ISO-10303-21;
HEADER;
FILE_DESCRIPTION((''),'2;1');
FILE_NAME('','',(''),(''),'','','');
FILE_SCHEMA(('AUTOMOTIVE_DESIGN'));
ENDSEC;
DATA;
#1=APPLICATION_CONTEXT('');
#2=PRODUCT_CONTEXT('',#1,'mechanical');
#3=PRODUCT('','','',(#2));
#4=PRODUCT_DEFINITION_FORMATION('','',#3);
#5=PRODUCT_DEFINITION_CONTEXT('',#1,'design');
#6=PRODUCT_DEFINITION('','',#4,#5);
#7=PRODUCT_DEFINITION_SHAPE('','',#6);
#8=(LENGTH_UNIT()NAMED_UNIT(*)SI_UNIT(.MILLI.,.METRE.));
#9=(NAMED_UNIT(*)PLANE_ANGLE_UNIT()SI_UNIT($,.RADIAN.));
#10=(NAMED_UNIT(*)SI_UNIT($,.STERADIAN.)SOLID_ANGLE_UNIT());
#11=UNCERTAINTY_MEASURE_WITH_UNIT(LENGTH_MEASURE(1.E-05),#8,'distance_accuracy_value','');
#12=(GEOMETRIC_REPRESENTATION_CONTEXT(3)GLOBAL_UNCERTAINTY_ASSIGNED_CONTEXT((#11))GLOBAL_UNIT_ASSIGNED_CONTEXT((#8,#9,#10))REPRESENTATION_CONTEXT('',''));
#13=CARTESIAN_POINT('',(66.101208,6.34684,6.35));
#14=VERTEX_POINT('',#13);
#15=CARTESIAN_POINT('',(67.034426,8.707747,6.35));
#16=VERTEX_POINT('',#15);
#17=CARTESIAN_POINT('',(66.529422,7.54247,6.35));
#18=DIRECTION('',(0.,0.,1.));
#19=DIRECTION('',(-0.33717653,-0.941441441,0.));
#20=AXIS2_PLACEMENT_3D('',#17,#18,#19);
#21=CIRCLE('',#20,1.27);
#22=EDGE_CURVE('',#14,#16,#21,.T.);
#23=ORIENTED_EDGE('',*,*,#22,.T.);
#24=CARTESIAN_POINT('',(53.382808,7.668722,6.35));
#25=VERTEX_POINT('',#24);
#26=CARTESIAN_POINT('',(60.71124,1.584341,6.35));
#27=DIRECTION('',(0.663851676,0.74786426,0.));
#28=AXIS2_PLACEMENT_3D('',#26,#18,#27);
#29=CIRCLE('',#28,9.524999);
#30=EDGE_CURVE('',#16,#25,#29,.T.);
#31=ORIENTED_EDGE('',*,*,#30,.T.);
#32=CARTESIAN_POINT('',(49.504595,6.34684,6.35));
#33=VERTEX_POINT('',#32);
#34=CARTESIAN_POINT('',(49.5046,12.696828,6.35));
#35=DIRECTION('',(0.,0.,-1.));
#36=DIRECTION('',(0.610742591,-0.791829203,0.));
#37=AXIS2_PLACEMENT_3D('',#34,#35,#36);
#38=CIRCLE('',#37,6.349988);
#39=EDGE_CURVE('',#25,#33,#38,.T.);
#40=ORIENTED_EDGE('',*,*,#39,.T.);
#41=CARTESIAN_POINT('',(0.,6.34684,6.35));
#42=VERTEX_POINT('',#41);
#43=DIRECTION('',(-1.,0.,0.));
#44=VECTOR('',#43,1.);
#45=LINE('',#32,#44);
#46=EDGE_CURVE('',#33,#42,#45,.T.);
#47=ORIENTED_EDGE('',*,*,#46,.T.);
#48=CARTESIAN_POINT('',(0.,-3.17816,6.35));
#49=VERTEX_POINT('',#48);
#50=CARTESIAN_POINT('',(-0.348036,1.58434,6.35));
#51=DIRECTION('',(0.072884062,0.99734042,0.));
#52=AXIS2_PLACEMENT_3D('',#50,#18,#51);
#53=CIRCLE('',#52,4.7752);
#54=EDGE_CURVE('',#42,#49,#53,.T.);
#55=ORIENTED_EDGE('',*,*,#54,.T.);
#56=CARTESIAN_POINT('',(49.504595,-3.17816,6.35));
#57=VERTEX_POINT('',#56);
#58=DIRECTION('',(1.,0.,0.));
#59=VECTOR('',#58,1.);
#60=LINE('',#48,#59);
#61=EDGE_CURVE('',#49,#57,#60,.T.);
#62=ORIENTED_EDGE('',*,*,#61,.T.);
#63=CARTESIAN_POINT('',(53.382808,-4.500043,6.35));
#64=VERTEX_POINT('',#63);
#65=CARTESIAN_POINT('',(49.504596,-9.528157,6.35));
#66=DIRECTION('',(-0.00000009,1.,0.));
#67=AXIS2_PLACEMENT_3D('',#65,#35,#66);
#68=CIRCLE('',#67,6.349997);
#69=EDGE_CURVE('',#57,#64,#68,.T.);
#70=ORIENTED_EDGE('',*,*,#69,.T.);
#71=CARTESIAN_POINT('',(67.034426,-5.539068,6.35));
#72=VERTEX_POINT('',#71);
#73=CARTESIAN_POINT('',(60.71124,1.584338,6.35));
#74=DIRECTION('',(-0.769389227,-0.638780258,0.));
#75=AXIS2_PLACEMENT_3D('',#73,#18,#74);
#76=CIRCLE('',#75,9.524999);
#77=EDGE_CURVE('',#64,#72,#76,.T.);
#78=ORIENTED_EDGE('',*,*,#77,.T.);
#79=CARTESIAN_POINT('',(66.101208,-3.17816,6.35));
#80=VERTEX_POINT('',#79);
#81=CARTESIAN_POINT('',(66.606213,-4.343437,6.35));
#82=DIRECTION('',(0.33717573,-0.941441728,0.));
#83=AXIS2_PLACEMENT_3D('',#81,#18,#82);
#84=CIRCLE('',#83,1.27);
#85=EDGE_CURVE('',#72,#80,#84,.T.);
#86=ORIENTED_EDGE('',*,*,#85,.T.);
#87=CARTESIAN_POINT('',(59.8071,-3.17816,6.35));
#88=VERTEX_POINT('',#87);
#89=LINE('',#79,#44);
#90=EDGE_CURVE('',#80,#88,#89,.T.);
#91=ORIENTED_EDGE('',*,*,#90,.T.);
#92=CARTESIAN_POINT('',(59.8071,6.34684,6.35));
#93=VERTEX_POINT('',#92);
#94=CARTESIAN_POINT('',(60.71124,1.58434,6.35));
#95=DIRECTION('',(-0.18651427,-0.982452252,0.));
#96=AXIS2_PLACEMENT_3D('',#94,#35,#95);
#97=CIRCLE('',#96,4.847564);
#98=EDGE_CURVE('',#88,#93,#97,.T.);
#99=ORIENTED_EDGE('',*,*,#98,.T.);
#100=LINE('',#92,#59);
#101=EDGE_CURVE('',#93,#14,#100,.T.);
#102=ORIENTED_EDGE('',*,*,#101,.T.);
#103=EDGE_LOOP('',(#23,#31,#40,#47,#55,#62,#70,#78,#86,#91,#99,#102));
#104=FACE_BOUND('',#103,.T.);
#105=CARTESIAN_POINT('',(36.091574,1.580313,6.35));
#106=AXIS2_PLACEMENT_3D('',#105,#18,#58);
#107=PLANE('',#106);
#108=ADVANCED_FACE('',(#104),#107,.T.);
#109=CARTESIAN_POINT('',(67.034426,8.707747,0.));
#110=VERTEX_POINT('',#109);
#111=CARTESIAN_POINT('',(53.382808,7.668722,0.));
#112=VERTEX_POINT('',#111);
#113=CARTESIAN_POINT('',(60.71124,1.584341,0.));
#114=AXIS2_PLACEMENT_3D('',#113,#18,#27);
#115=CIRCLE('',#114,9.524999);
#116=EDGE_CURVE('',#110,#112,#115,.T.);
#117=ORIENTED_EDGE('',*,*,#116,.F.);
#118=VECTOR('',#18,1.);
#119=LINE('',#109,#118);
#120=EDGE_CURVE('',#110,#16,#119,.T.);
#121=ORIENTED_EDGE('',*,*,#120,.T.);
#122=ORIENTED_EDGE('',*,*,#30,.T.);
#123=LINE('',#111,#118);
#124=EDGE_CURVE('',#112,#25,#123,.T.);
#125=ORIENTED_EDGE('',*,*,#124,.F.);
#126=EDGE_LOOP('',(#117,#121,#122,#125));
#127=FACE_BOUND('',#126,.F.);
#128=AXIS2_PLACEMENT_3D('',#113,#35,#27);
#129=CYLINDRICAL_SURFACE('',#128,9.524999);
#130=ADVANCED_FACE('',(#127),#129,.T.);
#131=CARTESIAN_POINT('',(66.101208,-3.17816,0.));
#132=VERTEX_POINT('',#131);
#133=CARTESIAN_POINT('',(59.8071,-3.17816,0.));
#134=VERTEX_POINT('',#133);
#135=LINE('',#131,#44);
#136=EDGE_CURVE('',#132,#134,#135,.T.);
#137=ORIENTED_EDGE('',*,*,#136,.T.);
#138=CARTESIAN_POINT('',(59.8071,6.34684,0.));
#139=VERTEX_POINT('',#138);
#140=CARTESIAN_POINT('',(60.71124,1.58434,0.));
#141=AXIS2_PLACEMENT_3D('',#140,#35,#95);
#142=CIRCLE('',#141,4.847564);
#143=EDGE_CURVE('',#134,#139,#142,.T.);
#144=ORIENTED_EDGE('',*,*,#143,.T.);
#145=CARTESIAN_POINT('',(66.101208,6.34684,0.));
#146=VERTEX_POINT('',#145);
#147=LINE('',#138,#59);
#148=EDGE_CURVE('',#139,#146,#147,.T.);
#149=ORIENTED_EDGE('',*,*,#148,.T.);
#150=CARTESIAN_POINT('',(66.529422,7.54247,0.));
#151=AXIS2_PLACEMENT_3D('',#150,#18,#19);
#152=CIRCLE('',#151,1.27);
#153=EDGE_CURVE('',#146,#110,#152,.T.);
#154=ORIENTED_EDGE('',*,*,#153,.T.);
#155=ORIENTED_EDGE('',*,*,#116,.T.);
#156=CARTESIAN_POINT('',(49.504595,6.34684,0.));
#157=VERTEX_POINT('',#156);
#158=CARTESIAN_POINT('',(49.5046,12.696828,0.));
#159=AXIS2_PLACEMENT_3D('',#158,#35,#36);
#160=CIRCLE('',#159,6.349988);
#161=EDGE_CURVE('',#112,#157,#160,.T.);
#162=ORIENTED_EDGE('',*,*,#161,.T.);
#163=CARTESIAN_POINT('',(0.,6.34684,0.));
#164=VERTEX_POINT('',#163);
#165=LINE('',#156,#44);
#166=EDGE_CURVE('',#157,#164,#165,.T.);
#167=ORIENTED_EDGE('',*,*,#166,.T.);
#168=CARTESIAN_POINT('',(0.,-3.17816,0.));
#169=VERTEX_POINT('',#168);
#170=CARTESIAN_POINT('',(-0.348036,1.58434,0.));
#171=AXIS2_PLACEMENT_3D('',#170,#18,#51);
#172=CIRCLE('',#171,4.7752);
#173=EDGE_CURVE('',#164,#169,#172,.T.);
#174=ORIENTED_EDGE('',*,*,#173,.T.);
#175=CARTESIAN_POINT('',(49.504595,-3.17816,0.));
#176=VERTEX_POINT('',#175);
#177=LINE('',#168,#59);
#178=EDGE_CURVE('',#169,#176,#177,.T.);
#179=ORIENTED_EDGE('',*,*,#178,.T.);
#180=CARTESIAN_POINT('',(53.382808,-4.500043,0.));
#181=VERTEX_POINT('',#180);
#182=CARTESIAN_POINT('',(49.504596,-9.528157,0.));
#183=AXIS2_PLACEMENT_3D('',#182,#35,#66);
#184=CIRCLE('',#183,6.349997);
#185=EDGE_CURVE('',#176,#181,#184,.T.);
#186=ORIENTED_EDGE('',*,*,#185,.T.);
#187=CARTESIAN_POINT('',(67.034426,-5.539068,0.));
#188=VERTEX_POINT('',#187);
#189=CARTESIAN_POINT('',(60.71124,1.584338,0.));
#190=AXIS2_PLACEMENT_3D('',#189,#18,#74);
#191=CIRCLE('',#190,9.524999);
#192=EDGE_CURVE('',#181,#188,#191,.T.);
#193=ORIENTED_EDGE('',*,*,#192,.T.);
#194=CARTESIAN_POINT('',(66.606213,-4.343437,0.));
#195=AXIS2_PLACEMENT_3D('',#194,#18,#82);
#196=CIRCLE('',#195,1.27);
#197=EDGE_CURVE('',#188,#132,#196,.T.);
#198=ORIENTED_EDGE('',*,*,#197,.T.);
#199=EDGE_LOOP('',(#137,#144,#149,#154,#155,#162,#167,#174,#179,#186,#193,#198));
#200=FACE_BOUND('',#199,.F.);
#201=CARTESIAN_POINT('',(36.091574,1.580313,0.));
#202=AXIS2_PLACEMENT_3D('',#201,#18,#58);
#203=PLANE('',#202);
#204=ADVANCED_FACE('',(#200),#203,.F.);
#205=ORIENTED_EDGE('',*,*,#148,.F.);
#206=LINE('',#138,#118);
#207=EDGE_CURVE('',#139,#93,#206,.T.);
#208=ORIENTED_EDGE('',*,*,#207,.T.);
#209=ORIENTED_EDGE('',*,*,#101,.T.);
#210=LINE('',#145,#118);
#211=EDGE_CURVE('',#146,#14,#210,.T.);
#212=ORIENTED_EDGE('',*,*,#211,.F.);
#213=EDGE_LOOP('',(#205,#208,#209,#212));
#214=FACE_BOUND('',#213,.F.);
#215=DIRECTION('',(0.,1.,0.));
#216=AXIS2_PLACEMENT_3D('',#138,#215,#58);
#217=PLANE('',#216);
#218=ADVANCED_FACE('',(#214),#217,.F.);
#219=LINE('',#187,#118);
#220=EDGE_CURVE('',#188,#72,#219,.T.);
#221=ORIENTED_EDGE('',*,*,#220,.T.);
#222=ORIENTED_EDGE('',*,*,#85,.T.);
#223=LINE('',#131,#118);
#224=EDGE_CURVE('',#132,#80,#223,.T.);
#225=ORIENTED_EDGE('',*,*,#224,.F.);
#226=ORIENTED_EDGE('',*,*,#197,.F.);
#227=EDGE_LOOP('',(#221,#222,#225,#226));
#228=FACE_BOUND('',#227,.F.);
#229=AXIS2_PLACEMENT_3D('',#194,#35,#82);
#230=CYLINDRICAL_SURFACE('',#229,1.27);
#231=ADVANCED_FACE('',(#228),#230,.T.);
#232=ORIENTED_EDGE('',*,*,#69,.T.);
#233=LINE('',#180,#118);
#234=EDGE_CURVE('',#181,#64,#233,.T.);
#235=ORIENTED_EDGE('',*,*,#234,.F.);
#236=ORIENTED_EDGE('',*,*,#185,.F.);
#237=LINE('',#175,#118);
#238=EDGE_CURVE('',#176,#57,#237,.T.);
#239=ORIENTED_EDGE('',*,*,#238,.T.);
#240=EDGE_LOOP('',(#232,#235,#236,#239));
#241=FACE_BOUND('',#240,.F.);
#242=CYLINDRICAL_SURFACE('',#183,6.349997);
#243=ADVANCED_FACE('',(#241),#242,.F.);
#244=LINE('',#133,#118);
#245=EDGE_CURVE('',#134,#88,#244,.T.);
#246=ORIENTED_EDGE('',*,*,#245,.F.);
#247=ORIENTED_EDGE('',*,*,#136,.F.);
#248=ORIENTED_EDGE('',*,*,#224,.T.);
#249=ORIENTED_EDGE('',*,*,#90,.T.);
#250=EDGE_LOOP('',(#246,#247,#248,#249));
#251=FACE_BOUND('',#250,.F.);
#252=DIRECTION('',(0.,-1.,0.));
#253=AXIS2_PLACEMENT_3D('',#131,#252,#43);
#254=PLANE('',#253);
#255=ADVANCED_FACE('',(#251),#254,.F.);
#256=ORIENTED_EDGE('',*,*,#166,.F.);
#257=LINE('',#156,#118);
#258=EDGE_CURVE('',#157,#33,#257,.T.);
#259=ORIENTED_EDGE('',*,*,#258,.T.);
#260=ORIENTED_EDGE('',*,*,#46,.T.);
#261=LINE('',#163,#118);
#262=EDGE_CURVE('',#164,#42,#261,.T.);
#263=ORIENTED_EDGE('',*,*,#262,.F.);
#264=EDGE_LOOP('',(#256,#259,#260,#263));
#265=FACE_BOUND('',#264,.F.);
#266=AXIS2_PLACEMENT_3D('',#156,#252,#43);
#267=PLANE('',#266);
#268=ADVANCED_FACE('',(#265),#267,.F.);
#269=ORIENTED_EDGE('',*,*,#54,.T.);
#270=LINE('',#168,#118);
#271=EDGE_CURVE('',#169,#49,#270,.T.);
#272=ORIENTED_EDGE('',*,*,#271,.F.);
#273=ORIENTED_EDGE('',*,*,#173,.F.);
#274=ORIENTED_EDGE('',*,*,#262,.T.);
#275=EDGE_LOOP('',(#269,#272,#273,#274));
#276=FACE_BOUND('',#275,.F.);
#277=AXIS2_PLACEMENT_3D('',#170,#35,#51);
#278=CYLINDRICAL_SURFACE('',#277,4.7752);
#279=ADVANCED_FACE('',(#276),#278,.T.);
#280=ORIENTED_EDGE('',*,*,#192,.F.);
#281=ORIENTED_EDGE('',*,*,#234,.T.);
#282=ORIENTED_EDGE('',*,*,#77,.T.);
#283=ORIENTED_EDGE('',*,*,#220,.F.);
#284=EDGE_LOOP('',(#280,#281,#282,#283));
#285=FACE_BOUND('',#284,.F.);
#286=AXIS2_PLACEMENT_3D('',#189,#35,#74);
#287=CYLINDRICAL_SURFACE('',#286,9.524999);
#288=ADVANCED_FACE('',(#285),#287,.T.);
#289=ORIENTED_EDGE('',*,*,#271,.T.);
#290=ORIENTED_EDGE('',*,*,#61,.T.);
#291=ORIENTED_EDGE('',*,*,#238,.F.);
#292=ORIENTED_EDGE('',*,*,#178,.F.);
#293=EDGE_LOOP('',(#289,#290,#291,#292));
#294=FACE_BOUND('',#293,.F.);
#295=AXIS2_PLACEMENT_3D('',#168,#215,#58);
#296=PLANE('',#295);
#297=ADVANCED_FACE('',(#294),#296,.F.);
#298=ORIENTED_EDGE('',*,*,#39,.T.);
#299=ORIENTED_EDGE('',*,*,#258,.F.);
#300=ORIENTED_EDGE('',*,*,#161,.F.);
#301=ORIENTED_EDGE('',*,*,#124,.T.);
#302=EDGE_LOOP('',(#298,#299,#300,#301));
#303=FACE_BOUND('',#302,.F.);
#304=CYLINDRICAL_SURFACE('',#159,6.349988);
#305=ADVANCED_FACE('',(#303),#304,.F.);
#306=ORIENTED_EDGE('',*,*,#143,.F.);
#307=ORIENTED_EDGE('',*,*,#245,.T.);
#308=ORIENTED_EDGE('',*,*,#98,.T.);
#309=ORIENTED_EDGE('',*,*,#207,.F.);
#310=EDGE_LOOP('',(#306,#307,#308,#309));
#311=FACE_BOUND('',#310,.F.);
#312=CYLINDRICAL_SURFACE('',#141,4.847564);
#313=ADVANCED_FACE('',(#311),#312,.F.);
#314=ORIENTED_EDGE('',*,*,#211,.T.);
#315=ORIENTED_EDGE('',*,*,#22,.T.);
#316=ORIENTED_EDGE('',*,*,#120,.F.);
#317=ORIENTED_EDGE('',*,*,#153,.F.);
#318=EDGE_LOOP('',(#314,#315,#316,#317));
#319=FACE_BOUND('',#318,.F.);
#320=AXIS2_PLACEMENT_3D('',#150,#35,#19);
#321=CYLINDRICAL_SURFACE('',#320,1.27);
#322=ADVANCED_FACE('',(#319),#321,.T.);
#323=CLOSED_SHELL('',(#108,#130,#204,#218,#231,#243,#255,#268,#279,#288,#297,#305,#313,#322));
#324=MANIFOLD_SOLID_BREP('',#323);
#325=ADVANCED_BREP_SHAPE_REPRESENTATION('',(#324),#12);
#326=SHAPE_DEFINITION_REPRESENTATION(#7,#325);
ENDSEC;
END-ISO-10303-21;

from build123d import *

# Parameters (mm, degrees)
F2_DEPTH = 6.35


with BuildPart() as f2:
    # F1 (on face) → F2 (new body)
    with BuildSketch(Plane.XY):
        with BuildLine():
            ThreePointArc((53.382808, 7.668722), (51.553248, 6.686388), (49.504595, 6.34684))
            Line((49.504595, 6.34684), (0, 6.34684))
            ThreePointArc((0, 6.34684), (-5.123236, 1.58434), (0, -3.17816))
            Line((0, -3.17816), (49.504595, -3.17816))
            ThreePointArc((49.504595, -3.17816), (51.553248, -3.517709), (53.382808, -4.500043))
            ThreePointArc((53.382808, -4.500043), (59.988382, -7.913192), (67.034426, -5.539068))
            ThreePointArc((67.034426, -5.539068), (67.787291, -3.876581), (66.101208, -3.17816))
            Line((66.101208, -3.17816), (59.8071, -3.17816))
            ThreePointArc((59.8071, -3.17816), (55.863676, 1.58434), (59.8071, 6.34684))
            Line((59.8071, 6.34684), (66.101208, 6.34684))
            ThreePointArc((66.101208, 6.34684), (67.7105, 7.075615), (67.034426, 8.707747))
            ThreePointArc((67.034426, 8.707747), (59.988382, 11.081871), (53.382808, 7.668722))
        make_face()
    extrude(amount=F2_DEPTH)


solid = f2.part
